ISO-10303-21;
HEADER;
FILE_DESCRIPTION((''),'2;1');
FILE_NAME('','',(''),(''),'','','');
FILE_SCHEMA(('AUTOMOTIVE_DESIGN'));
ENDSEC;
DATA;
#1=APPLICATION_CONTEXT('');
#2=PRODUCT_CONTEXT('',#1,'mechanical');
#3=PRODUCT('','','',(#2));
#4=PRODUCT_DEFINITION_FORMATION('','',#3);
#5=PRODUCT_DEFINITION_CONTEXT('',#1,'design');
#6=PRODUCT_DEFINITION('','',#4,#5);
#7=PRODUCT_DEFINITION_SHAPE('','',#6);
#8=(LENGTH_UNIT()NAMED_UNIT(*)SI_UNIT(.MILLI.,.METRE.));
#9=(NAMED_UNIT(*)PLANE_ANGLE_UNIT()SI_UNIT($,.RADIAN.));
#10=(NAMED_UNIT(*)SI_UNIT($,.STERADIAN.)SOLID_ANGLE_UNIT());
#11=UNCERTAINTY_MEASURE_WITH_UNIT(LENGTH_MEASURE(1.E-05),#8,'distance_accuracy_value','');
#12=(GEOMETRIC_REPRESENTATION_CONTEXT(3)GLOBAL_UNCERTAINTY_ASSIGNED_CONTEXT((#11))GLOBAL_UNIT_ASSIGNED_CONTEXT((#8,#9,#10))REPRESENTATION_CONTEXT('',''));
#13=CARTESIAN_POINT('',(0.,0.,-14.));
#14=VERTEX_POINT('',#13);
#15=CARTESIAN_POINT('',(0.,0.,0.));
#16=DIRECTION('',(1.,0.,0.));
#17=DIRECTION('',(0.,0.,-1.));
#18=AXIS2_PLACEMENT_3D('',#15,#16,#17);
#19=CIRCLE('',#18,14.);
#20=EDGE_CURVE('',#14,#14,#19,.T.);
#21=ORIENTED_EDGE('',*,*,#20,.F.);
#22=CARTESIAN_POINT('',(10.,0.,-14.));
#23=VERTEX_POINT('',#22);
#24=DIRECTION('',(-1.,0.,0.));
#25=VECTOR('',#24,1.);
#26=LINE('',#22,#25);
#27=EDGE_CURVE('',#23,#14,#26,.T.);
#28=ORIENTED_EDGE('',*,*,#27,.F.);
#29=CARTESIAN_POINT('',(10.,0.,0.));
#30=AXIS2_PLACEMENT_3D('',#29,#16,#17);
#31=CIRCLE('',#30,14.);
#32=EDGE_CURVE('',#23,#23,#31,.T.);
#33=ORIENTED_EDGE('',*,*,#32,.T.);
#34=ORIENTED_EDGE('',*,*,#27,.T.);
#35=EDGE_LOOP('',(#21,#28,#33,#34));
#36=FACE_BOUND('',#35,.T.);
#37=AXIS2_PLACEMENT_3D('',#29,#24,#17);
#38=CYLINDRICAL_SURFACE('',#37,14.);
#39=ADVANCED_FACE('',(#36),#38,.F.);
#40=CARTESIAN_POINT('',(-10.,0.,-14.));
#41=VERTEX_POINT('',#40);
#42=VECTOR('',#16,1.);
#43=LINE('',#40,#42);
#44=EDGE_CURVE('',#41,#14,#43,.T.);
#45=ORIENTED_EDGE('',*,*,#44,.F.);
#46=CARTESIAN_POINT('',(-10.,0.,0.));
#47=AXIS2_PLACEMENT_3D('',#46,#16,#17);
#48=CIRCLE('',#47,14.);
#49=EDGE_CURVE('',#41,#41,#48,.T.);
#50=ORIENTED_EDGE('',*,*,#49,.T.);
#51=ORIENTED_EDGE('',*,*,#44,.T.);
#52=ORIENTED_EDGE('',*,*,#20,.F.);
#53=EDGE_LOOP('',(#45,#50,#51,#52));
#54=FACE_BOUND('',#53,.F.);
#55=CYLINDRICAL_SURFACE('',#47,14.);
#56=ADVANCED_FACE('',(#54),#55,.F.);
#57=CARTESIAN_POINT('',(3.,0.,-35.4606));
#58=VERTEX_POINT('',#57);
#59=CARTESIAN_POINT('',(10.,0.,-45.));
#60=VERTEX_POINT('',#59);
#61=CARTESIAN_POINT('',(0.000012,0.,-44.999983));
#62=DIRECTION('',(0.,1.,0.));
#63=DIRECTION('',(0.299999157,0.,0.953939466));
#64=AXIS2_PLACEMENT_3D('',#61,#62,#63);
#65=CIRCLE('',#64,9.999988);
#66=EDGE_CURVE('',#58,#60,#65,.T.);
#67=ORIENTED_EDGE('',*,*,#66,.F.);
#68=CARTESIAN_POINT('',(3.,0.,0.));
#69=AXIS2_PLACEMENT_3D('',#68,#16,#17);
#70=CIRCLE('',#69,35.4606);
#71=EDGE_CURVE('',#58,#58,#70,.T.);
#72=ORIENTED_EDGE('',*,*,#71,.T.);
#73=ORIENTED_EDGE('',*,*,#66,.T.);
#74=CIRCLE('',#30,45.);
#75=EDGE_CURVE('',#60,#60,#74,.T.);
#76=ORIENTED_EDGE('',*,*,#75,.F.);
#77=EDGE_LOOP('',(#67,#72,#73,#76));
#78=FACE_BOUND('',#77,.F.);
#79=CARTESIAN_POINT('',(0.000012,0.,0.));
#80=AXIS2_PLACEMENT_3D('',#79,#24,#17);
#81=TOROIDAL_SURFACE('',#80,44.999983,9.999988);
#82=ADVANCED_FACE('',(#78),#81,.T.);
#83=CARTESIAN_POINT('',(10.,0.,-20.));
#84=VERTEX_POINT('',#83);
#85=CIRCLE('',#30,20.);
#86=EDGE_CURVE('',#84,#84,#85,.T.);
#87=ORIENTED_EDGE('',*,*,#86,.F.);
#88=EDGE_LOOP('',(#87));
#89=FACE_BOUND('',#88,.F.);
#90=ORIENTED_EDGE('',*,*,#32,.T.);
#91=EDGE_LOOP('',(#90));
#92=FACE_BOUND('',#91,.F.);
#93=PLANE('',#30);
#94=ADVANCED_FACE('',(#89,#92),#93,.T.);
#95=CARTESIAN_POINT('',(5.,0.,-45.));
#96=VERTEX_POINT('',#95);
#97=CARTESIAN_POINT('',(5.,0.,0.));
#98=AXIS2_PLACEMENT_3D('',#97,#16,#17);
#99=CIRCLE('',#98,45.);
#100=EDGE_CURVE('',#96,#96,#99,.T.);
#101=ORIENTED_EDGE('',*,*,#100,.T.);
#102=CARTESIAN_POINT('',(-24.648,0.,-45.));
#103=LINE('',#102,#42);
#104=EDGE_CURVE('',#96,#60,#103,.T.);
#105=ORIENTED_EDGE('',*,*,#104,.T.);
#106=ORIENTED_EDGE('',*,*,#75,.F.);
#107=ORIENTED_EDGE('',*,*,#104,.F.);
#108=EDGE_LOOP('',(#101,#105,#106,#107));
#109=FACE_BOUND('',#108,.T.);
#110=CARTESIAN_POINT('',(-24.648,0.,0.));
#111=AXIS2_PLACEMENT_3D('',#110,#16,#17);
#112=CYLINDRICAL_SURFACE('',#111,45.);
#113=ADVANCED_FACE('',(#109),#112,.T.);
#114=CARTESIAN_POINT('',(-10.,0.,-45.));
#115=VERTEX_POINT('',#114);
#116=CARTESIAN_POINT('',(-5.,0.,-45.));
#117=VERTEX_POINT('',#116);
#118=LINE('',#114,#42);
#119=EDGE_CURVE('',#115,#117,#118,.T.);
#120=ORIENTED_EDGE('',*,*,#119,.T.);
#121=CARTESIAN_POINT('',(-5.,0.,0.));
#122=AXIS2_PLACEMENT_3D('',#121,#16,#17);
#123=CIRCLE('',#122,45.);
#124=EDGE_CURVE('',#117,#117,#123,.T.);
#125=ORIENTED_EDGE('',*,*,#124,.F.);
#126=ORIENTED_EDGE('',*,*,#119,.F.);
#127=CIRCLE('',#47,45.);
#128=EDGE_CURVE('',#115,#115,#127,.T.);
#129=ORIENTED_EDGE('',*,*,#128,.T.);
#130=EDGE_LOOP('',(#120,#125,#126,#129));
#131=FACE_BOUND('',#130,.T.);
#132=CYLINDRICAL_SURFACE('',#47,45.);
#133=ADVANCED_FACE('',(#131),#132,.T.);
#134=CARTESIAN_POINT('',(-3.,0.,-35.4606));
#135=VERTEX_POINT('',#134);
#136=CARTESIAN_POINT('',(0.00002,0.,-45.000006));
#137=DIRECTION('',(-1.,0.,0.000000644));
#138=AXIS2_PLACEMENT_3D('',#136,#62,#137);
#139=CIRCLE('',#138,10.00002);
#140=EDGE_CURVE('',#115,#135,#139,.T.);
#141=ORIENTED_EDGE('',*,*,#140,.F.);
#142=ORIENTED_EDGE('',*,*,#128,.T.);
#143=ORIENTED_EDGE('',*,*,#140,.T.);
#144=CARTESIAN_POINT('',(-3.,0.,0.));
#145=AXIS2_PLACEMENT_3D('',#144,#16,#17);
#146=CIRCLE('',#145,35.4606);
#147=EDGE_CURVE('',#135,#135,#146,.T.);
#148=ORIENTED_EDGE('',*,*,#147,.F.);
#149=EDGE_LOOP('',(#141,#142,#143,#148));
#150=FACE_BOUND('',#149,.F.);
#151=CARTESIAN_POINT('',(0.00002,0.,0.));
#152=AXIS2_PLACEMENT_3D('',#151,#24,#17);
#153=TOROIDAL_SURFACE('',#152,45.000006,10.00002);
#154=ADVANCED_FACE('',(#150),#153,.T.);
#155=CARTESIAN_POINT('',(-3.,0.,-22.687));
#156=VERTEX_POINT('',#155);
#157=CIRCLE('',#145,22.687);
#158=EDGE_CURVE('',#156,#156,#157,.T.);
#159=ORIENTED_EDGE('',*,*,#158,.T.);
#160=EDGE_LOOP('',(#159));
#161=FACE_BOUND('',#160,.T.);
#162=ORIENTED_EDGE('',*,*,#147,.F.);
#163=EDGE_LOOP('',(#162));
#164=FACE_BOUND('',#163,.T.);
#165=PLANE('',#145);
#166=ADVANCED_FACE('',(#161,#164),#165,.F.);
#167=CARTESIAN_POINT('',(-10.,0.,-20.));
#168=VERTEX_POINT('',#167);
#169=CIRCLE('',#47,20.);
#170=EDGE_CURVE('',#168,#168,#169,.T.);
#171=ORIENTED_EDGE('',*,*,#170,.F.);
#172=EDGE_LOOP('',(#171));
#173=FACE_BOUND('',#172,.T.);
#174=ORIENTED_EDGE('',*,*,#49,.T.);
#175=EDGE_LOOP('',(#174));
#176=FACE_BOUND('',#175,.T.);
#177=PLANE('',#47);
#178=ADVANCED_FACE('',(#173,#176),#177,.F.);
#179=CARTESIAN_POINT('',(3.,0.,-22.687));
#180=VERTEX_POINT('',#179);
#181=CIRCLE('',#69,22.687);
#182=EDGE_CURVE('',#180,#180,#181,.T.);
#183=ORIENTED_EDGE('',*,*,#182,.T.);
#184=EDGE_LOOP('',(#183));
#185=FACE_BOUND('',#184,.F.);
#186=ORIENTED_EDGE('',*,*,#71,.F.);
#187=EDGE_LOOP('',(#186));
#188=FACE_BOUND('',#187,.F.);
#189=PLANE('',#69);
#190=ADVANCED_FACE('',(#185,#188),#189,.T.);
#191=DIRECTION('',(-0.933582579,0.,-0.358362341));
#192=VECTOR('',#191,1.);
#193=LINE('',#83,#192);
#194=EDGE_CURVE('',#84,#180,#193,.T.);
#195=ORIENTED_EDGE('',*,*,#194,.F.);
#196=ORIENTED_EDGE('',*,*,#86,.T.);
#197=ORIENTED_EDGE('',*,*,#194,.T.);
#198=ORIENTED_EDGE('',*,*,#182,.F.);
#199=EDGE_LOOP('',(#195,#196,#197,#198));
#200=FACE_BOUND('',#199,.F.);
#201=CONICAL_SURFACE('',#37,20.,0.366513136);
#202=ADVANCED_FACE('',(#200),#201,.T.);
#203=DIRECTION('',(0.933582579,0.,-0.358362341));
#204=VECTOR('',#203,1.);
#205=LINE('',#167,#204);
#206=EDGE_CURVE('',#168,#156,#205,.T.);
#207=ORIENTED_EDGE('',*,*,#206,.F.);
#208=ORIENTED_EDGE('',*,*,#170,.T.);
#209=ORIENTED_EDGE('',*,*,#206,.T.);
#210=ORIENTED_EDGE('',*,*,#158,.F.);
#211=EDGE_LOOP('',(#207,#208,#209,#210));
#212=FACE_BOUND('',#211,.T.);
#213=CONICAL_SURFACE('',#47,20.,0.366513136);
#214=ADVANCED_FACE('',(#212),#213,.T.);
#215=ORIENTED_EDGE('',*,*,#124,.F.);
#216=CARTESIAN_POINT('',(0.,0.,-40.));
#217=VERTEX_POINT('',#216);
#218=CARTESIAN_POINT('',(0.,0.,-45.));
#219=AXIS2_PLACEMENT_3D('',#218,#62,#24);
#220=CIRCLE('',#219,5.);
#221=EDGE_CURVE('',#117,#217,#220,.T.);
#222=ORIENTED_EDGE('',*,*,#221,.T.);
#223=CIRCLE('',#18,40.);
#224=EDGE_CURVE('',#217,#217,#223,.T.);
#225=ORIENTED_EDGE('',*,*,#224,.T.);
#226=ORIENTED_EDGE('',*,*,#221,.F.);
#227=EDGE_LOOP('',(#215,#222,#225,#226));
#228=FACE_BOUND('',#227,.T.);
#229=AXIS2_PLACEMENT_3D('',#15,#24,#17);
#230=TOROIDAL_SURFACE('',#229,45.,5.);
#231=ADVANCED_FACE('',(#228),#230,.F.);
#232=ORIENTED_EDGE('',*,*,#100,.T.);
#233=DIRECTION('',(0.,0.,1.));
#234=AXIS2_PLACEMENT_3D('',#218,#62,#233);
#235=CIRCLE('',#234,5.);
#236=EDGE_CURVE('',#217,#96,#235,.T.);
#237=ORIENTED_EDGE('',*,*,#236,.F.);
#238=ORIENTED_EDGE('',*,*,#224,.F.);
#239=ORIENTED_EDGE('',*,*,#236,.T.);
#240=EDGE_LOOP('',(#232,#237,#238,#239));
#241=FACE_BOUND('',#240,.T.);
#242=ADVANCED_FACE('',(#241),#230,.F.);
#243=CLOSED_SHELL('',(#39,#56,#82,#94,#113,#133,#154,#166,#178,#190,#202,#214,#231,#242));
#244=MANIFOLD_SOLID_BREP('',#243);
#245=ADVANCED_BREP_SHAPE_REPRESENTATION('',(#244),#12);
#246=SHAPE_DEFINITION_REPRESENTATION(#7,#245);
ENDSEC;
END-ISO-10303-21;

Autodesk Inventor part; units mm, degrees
ref_plane "YZ Plane" through (0, 0, 0) normal (1, 0, 0) x (0, 1, 0)
ref_plane "XZ Plane" through (0, 0, 0) normal (0, 1, 0) x (-1, 0, 0)
ref_plane "XY Plane" through (0, 0, 0) normal (0, 0, 1) x (1, 0, 0)
sketch "Náčrt1" plane through (0, 0, 0) normal (0, 1, 0) x (-1, 0, 0)
  line L0 (10, -14) -> (0, -14)
  line L1 (10, -14) -> (10, -20)
  line L2 (10, -20) -> (3, -22.687)
  line L3 (3, -22.687) -> (3, -35.4606)
  line L4 (0, 0) -> (-43.8955, 0)
  arc A0 (10, -45) -> (3, -35.4606) centre (0, -45) ccw
  line L5 (0, 0) -> (0, -73.1539)
  line L6 (10, -45) -> (5, -45)
  arc A1 (5, -45) -> (0, -40) centre (0, -45) ccw
  line L7 (24.648, -45) -> (-37.389, -45)
  line L8 (10, -45) -> (10, -56.6969)
  line L9 (-10, -14) -> (0, -14)
  line L10 (-10, -14) -> (-10, -20)
  line L11 (-10, -20) -> (-3, -22.687)
  line L12 (-3, -22.687) -> (-3, -35.4606)
  arc A2 (-3, -35.4606) -> (-10, -45) centre (0, -45) ccw
  line L13 (-10, -45) -> (-5, -45)
  arc A3 (0, -40) -> (-5, -45) centre (0, -45) ccw
  point P0 (0, -53)
  dimension "d1" = 111
  dimension "d3" = 28
  dimension "d63" = 10
  dimension "d64" = 5
  dimension "d65" = 6
  dimension "d67" = 80
  dimension "d68" = 6
revolve "Rotace1" add sketch "Náčrt1" angle 360 about axis through (0, 0, 0) along (1, 0, 0) contours L1 L2 L3 A0 L6 A1 L5 L0 | L5 A3 L7 A2 L12 L11 L10 L9
properties part number "kladka"
